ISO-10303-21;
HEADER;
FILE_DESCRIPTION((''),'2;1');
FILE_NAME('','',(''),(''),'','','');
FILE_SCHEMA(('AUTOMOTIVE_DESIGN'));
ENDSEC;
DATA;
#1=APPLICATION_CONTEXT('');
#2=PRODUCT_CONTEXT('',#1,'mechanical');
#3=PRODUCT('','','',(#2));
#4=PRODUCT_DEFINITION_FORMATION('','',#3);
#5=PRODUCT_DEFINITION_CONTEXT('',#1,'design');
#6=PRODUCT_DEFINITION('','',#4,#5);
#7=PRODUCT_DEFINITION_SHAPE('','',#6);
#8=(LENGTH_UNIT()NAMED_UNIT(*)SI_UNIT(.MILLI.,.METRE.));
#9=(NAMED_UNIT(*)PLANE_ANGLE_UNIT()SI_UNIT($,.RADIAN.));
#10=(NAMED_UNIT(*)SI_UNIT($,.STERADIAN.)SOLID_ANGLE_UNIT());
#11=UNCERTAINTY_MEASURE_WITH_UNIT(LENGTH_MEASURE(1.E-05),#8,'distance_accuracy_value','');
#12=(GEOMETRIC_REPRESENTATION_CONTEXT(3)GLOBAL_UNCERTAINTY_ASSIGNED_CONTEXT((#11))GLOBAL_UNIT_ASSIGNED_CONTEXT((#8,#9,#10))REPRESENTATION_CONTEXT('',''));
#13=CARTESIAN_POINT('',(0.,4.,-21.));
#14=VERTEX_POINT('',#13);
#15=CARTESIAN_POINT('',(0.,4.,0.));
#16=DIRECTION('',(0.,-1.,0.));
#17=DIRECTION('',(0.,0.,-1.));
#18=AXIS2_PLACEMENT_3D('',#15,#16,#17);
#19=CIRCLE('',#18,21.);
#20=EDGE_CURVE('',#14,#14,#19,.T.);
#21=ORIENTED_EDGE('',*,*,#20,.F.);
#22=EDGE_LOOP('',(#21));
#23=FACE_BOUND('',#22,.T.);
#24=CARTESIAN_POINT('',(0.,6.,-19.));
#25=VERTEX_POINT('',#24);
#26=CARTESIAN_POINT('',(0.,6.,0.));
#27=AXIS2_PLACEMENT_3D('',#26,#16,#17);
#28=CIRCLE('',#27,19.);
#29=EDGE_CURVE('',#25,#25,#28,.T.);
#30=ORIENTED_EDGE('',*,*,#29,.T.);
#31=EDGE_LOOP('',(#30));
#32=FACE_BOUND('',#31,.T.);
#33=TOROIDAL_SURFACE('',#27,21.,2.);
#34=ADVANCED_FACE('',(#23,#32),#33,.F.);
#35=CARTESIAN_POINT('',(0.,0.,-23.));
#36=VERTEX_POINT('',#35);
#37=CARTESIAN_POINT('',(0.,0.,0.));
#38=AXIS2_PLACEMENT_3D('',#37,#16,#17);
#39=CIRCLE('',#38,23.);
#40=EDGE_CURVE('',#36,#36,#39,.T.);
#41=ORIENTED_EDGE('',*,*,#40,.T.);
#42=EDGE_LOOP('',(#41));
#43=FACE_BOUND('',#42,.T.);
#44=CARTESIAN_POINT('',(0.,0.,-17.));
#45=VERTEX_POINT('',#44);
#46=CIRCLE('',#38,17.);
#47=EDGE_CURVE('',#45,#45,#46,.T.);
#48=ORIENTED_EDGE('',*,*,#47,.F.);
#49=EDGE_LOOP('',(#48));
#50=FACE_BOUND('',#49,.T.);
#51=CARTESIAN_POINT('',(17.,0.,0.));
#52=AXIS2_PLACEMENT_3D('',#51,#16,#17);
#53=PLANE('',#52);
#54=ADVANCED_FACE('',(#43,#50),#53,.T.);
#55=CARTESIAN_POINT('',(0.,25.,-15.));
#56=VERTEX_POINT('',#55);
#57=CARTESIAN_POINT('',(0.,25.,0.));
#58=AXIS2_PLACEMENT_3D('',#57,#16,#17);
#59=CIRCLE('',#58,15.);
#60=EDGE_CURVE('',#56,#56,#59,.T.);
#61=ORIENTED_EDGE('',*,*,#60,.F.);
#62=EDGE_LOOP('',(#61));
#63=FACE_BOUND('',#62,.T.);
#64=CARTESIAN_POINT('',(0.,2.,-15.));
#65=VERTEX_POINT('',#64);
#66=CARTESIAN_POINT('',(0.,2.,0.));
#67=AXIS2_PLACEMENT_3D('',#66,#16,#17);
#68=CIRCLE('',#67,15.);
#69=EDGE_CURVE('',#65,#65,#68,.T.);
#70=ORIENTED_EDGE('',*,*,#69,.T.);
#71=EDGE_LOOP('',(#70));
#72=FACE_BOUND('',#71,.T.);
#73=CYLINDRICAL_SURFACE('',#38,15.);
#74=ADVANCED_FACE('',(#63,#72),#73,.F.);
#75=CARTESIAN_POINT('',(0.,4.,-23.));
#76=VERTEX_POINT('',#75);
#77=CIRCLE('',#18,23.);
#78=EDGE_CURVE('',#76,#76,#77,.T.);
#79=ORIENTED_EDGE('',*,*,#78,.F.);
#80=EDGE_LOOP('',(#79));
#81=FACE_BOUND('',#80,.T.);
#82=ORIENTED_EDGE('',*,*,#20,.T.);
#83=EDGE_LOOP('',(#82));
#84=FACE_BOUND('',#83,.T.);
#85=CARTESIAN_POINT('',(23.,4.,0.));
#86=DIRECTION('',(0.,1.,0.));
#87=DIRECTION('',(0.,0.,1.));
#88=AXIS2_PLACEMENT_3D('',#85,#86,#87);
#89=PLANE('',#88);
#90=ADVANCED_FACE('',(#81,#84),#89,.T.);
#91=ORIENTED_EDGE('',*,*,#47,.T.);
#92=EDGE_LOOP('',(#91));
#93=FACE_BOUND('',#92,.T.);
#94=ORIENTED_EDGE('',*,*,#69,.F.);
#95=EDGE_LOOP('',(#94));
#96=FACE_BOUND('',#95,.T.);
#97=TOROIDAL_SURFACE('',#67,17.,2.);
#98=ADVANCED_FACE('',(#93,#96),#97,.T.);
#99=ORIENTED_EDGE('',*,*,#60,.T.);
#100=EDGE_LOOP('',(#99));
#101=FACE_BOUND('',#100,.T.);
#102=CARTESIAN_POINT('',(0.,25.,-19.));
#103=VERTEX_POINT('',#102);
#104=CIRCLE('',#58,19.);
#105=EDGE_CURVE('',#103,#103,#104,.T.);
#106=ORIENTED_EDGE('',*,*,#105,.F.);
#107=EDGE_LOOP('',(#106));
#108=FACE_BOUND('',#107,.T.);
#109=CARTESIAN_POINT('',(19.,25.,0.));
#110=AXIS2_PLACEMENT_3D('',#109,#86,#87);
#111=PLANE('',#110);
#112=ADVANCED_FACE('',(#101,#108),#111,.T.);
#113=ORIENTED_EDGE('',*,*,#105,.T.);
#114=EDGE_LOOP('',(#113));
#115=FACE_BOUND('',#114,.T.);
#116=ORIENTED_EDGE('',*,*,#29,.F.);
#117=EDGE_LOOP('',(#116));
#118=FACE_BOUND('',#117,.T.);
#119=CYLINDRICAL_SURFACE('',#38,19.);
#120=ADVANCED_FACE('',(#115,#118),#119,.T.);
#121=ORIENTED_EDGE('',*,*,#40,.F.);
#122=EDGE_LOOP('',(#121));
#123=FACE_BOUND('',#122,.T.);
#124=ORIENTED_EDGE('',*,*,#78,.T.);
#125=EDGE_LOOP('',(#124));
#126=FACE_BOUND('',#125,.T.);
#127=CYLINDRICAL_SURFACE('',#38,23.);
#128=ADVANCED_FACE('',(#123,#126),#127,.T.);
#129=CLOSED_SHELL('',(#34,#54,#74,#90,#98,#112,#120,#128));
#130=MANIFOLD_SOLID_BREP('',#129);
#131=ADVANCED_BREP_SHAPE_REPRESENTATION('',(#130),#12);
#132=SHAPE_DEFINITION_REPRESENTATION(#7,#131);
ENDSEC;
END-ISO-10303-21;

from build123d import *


with BuildPart() as part:
    # Sketch1 → Revolve1 (revolve)
    with BuildSketch(Plane.XY, mode=Mode.PRIVATE) as revolve1_sk:
        with BuildLine():
            Line((15, 25), (15, 2))
            ThreePointArc((15, 2), (15.585786438, 0.585786438), (17, 0))
            Line((17, 0), (23, 0))
            Line((23, 0), (23, 4))
            Line((23, 4), (21, 4))
            ThreePointArc((21, 4), (19.585786438, 4.585786438), (19, 6))
            Line((19, 6), (19, 25))
            Line((19, 25), (15, 25))
        make_face()
    revolve(revolve1_sk.sketch.rotate(Axis((0, 0, 0), (0, 1, 0)), 90), axis=Axis((0, 0, 0), (0, 1, 0)))


solid = part.part
